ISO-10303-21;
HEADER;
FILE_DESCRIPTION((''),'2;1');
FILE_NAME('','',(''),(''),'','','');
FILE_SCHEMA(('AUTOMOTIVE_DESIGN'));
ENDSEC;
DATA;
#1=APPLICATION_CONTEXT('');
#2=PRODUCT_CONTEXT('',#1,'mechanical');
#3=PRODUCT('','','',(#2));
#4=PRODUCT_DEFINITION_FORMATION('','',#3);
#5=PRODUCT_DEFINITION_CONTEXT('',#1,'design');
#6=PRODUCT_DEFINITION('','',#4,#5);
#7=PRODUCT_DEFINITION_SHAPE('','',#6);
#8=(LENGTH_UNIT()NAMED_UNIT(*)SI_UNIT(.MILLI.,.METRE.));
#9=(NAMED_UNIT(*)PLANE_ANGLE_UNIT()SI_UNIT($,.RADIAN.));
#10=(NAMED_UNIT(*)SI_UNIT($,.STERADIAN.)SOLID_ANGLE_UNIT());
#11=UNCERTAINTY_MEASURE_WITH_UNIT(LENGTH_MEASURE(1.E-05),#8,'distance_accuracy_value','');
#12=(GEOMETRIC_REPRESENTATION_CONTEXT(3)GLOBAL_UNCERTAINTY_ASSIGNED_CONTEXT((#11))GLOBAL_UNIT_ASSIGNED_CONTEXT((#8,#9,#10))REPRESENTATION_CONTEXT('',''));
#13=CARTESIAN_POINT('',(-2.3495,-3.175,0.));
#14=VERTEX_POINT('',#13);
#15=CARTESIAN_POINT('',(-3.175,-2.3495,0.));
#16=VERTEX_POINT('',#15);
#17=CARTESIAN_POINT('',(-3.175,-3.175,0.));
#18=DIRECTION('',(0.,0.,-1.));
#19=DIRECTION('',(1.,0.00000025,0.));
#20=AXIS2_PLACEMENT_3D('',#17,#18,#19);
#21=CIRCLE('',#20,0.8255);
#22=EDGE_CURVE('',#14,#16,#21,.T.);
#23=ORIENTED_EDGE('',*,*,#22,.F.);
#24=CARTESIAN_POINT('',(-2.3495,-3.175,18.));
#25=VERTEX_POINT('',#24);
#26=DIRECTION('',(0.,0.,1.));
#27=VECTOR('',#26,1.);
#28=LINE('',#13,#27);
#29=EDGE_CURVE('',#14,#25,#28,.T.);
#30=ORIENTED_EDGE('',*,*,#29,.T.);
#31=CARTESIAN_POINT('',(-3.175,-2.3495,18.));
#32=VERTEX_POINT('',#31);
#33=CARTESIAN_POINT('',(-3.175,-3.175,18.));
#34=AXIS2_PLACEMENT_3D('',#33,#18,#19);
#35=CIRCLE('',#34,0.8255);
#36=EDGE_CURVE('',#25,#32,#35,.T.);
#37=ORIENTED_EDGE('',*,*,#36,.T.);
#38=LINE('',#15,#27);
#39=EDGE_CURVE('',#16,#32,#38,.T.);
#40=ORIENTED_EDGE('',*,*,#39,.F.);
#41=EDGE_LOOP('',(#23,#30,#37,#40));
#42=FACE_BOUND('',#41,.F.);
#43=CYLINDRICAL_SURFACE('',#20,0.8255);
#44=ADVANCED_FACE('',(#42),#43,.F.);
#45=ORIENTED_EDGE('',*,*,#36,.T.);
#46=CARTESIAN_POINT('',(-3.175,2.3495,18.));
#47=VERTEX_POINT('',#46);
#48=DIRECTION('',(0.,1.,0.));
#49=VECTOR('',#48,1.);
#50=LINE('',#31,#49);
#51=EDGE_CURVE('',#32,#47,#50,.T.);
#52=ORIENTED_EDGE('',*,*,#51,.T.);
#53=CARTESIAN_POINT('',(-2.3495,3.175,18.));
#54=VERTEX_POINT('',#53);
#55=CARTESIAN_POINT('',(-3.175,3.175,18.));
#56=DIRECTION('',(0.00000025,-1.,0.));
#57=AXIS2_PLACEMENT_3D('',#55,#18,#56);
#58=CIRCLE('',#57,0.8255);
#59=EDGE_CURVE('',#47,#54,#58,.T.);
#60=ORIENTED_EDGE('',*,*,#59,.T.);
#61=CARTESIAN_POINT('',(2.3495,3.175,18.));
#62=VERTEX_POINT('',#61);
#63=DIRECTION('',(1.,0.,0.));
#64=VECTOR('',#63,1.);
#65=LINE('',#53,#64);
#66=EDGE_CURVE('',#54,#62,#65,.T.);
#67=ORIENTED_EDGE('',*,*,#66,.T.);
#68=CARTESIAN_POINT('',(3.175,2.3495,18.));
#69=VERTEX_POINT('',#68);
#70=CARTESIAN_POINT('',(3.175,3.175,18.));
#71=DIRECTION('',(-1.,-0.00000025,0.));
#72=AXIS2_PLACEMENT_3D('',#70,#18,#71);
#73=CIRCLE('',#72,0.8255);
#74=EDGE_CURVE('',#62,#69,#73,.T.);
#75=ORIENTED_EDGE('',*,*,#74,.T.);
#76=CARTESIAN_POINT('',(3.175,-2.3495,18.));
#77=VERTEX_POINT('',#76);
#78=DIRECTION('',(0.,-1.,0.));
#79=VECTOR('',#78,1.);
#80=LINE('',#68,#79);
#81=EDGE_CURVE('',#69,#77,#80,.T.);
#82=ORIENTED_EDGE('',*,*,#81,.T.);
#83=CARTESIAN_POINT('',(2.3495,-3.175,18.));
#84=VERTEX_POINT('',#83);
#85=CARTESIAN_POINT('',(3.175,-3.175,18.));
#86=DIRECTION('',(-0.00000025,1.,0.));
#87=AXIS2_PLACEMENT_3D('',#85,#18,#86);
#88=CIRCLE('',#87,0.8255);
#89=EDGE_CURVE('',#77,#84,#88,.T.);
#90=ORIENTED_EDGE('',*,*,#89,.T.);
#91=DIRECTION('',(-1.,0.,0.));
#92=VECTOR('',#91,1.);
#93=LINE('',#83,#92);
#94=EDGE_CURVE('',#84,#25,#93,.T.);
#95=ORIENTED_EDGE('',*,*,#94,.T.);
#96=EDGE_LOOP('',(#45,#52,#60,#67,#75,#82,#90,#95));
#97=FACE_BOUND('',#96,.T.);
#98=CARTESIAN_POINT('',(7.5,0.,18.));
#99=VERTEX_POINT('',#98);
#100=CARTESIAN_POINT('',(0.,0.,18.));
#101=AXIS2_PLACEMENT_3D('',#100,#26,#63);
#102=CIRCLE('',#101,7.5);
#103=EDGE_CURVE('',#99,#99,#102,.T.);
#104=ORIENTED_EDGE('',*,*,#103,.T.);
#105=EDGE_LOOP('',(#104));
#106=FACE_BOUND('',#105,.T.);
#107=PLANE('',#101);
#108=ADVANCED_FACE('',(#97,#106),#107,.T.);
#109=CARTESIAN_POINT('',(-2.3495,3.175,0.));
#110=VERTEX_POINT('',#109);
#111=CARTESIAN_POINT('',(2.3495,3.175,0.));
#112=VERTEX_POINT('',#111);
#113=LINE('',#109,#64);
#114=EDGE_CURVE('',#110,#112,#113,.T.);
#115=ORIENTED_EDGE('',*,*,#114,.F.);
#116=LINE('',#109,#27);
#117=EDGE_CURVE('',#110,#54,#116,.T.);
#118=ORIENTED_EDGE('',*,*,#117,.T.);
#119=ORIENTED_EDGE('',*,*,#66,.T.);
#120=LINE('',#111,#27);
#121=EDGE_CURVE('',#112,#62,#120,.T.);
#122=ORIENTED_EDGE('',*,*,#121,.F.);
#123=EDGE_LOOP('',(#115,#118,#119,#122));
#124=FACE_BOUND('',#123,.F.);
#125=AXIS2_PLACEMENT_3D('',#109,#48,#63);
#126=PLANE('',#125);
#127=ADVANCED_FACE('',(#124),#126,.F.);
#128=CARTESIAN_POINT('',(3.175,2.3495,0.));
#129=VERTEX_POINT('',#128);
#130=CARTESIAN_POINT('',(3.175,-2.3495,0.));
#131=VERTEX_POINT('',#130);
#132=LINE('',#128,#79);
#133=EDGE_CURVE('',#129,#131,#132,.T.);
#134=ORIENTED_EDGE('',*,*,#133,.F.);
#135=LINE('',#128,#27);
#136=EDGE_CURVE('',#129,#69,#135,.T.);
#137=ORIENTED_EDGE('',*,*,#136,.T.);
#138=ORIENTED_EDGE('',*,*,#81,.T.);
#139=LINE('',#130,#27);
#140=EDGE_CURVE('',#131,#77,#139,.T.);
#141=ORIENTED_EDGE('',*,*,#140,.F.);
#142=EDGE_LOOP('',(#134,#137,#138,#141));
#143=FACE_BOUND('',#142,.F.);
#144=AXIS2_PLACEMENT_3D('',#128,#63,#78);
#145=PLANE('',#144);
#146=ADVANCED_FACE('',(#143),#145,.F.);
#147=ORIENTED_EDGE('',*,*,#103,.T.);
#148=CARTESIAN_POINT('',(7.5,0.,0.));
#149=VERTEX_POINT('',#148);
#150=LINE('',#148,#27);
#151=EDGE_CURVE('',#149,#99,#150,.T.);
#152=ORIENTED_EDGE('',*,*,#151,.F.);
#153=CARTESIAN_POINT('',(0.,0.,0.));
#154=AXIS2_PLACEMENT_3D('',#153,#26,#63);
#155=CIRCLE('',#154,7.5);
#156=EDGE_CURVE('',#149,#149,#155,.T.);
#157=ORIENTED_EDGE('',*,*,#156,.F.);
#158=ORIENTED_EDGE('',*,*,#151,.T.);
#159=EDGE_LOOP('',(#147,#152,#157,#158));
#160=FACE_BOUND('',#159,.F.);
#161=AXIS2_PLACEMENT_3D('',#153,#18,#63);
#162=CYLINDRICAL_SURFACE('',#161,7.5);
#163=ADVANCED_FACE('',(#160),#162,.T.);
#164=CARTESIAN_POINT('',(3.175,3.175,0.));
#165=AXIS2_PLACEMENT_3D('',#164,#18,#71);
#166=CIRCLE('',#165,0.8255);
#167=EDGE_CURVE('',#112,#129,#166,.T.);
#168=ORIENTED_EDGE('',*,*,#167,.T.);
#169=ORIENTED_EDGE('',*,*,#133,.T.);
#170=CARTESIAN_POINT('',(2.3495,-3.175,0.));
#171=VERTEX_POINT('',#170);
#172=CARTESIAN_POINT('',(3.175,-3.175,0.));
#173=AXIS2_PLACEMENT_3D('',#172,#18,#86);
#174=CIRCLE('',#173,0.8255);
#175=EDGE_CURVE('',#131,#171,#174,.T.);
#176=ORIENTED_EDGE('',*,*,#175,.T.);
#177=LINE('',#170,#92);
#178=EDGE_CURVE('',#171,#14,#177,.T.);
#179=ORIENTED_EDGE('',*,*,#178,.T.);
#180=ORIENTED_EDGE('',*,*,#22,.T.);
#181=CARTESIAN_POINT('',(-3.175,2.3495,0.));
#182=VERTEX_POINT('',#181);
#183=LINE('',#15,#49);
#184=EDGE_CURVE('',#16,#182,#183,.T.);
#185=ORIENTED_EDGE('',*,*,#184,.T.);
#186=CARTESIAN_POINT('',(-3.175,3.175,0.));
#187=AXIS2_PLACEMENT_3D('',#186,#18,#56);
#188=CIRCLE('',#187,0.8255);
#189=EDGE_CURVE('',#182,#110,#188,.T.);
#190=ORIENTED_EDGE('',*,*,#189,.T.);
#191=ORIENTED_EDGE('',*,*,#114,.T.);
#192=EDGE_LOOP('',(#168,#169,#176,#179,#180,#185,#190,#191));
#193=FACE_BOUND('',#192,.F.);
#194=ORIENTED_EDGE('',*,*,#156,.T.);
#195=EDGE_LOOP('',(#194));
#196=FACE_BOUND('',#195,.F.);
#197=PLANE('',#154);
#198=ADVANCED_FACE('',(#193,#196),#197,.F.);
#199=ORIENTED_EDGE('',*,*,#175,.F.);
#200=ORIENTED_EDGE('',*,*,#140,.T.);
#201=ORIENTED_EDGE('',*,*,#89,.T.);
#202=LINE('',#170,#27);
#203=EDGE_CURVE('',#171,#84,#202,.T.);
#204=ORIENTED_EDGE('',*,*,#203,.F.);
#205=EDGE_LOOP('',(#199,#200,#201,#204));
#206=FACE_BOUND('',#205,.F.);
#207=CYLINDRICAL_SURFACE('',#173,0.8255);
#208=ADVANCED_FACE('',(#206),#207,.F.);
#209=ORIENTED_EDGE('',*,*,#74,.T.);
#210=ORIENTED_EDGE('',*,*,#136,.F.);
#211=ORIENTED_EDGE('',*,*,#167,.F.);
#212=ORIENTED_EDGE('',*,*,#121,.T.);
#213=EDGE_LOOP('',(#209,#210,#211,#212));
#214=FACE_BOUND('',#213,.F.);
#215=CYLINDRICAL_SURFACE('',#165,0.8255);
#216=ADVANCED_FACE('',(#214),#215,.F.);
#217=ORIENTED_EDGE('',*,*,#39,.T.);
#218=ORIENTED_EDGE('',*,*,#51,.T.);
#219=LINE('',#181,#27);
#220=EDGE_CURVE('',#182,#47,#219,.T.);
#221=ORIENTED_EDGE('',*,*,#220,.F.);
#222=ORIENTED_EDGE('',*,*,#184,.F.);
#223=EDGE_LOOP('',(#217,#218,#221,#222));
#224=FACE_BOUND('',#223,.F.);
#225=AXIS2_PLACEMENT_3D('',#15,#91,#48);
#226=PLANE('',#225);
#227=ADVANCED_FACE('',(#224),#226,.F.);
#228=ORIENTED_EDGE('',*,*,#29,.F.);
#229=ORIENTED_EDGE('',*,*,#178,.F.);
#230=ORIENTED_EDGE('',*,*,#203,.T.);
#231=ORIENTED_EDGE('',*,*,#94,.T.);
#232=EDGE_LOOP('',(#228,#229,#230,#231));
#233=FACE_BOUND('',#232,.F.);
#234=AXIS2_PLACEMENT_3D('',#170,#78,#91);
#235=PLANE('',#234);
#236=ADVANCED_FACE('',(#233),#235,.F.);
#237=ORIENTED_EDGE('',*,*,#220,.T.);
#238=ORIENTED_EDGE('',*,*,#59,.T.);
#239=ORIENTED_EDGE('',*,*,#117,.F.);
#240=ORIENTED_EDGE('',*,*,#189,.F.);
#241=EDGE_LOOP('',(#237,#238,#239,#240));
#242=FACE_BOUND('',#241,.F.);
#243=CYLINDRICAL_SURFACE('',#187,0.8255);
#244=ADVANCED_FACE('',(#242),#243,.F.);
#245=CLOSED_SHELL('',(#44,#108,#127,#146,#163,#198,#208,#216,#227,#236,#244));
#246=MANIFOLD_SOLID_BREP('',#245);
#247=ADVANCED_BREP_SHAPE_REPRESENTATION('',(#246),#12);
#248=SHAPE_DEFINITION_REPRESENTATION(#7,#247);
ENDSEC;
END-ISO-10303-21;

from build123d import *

# Parameters (mm, degrees)
F0_R     = 7.5
F1_DEPTH = 18


with BuildPart() as f1:
    # F0 (on Top) → F1 (new body)
    with BuildSketch(Plane.XY):
        Circle(F0_R)
        with BuildLine():
            ThreePointArc((3.175, -2.3495), (3.758717, -3.758717), (2.3495, -3.175))
            Line((2.3495, -3.175), (-2.3495, -3.175))
            ThreePointArc((-2.3495, -3.175), (-3.758717, -3.758717), (-3.175, -2.3495))
            Line((-3.175, -2.3495), (-3.175, 2.3495))
            ThreePointArc((-3.175, 2.3495), (-3.758717, 3.758717), (-2.3495, 3.175))
            Line((-2.3495, 3.175), (2.3495, 3.175))
            ThreePointArc((2.3495, 3.175), (3.758717, 3.758717), (3.175, 2.3495))
            Line((3.175, 2.3495), (3.175, -2.3495))
        make_face(mode=Mode.SUBTRACT)
    extrude(amount=F1_DEPTH)


solid = f1.part
